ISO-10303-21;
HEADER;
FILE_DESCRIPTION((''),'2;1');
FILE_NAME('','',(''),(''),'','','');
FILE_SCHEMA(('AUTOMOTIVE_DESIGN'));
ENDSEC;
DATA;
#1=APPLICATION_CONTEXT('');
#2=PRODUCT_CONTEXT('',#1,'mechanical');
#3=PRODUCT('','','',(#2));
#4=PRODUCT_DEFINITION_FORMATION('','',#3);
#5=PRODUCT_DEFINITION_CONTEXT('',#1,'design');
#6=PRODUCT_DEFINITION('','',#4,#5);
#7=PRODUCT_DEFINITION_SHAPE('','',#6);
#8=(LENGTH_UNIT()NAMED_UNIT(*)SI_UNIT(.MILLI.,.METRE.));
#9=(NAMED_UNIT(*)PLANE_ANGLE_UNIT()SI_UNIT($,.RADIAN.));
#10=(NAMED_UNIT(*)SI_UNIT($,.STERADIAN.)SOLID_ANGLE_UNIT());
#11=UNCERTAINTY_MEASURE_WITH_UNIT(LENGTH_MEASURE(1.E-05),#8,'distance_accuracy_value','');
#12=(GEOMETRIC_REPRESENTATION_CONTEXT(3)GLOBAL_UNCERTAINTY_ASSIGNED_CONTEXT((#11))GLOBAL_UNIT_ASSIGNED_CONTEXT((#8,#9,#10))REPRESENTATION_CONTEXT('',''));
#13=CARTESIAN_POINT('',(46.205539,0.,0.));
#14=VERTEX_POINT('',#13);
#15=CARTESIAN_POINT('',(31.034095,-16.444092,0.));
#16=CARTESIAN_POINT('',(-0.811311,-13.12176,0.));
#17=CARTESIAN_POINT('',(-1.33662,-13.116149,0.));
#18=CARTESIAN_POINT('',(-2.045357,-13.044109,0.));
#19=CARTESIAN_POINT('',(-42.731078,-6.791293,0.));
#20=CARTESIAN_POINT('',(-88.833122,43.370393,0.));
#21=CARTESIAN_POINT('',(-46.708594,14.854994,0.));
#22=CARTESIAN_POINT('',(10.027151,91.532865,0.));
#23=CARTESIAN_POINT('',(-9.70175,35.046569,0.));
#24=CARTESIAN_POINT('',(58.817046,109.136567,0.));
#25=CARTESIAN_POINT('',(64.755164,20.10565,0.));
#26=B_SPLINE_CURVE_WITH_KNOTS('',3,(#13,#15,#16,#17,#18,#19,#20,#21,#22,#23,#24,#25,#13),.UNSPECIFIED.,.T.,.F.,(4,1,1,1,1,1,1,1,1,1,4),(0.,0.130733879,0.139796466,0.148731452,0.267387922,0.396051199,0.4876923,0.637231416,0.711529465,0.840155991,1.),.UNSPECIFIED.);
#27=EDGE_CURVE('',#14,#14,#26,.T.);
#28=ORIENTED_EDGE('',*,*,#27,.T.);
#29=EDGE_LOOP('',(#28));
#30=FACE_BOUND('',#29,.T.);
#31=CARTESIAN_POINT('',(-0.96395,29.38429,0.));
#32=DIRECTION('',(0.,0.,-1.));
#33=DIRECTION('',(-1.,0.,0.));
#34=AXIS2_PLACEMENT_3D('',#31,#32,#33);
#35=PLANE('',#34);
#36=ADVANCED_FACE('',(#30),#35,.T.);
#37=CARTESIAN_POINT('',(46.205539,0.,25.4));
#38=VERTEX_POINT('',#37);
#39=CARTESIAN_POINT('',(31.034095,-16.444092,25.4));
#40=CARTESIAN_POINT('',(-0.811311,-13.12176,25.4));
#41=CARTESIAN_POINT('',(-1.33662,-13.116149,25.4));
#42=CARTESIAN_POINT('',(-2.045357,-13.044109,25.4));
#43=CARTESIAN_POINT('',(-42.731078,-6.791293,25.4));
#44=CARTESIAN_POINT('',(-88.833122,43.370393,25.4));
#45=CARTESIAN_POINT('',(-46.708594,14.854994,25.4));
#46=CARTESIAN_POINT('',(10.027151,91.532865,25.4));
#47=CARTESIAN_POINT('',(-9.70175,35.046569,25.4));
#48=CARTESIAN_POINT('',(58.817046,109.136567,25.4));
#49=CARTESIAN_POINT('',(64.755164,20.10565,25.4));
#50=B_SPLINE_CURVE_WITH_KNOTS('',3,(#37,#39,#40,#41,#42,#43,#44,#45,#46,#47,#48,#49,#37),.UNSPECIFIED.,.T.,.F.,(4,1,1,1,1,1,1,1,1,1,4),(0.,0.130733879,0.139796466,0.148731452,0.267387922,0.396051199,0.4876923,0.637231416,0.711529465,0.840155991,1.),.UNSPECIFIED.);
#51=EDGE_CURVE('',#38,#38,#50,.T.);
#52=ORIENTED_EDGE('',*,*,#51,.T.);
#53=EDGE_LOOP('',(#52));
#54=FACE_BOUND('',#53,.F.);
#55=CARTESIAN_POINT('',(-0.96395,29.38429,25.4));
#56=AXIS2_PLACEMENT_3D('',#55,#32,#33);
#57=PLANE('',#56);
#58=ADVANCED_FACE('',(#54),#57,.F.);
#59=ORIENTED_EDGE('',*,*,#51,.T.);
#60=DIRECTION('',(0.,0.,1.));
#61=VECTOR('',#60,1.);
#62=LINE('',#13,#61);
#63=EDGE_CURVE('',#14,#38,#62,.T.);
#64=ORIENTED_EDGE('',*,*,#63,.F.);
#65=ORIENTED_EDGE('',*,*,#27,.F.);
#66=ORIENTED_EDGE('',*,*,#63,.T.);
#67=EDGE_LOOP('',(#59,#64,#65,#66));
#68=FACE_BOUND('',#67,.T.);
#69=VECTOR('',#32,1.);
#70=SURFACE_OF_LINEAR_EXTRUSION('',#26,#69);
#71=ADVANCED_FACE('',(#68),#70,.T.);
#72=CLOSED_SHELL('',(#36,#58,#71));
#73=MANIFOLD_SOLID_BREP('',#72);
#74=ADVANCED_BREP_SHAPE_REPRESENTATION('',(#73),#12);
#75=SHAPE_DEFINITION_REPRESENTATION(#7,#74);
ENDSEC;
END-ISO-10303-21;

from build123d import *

# Parameters (mm, degrees)
F1_DEPTH = 25.4


with BuildPart() as f1:
    # F0 (on Top) → F1 (new body)
    with BuildSketch(Plane.XY):
        with BuildLine():
            add(Edge.make_bspline(
                [(46.2055392563, 0), (31.0340954128, -16.4440919558), (-0.8113107221, -13.1217600757), (-1.3366201749, -13.1161490755), (-2.0453568121, -13.0441087495), (-42.73107764, -6.7912930541), (-88.833122011, 43.3703929552), (-46.708593947, 14.8549936407), (10.0271505483, 91.5328645554), (-9.7017498402, 35.0465693588), (58.8170464837, 109.1365672441), (64.7551640772, 20.105649762), (46.2055392563, 0)],
                knots=[0, 0, 0, 0, 0.1307338792, 0.1397964661, 0.1487314515, 0.2673879218, 0.3960511991, 0.4876922997, 0.6372314164, 0.7115294654, 0.8401559907, 1, 1, 1, 1], degree=3))
        make_face()
    extrude(amount=F1_DEPTH)


solid = f1.part
